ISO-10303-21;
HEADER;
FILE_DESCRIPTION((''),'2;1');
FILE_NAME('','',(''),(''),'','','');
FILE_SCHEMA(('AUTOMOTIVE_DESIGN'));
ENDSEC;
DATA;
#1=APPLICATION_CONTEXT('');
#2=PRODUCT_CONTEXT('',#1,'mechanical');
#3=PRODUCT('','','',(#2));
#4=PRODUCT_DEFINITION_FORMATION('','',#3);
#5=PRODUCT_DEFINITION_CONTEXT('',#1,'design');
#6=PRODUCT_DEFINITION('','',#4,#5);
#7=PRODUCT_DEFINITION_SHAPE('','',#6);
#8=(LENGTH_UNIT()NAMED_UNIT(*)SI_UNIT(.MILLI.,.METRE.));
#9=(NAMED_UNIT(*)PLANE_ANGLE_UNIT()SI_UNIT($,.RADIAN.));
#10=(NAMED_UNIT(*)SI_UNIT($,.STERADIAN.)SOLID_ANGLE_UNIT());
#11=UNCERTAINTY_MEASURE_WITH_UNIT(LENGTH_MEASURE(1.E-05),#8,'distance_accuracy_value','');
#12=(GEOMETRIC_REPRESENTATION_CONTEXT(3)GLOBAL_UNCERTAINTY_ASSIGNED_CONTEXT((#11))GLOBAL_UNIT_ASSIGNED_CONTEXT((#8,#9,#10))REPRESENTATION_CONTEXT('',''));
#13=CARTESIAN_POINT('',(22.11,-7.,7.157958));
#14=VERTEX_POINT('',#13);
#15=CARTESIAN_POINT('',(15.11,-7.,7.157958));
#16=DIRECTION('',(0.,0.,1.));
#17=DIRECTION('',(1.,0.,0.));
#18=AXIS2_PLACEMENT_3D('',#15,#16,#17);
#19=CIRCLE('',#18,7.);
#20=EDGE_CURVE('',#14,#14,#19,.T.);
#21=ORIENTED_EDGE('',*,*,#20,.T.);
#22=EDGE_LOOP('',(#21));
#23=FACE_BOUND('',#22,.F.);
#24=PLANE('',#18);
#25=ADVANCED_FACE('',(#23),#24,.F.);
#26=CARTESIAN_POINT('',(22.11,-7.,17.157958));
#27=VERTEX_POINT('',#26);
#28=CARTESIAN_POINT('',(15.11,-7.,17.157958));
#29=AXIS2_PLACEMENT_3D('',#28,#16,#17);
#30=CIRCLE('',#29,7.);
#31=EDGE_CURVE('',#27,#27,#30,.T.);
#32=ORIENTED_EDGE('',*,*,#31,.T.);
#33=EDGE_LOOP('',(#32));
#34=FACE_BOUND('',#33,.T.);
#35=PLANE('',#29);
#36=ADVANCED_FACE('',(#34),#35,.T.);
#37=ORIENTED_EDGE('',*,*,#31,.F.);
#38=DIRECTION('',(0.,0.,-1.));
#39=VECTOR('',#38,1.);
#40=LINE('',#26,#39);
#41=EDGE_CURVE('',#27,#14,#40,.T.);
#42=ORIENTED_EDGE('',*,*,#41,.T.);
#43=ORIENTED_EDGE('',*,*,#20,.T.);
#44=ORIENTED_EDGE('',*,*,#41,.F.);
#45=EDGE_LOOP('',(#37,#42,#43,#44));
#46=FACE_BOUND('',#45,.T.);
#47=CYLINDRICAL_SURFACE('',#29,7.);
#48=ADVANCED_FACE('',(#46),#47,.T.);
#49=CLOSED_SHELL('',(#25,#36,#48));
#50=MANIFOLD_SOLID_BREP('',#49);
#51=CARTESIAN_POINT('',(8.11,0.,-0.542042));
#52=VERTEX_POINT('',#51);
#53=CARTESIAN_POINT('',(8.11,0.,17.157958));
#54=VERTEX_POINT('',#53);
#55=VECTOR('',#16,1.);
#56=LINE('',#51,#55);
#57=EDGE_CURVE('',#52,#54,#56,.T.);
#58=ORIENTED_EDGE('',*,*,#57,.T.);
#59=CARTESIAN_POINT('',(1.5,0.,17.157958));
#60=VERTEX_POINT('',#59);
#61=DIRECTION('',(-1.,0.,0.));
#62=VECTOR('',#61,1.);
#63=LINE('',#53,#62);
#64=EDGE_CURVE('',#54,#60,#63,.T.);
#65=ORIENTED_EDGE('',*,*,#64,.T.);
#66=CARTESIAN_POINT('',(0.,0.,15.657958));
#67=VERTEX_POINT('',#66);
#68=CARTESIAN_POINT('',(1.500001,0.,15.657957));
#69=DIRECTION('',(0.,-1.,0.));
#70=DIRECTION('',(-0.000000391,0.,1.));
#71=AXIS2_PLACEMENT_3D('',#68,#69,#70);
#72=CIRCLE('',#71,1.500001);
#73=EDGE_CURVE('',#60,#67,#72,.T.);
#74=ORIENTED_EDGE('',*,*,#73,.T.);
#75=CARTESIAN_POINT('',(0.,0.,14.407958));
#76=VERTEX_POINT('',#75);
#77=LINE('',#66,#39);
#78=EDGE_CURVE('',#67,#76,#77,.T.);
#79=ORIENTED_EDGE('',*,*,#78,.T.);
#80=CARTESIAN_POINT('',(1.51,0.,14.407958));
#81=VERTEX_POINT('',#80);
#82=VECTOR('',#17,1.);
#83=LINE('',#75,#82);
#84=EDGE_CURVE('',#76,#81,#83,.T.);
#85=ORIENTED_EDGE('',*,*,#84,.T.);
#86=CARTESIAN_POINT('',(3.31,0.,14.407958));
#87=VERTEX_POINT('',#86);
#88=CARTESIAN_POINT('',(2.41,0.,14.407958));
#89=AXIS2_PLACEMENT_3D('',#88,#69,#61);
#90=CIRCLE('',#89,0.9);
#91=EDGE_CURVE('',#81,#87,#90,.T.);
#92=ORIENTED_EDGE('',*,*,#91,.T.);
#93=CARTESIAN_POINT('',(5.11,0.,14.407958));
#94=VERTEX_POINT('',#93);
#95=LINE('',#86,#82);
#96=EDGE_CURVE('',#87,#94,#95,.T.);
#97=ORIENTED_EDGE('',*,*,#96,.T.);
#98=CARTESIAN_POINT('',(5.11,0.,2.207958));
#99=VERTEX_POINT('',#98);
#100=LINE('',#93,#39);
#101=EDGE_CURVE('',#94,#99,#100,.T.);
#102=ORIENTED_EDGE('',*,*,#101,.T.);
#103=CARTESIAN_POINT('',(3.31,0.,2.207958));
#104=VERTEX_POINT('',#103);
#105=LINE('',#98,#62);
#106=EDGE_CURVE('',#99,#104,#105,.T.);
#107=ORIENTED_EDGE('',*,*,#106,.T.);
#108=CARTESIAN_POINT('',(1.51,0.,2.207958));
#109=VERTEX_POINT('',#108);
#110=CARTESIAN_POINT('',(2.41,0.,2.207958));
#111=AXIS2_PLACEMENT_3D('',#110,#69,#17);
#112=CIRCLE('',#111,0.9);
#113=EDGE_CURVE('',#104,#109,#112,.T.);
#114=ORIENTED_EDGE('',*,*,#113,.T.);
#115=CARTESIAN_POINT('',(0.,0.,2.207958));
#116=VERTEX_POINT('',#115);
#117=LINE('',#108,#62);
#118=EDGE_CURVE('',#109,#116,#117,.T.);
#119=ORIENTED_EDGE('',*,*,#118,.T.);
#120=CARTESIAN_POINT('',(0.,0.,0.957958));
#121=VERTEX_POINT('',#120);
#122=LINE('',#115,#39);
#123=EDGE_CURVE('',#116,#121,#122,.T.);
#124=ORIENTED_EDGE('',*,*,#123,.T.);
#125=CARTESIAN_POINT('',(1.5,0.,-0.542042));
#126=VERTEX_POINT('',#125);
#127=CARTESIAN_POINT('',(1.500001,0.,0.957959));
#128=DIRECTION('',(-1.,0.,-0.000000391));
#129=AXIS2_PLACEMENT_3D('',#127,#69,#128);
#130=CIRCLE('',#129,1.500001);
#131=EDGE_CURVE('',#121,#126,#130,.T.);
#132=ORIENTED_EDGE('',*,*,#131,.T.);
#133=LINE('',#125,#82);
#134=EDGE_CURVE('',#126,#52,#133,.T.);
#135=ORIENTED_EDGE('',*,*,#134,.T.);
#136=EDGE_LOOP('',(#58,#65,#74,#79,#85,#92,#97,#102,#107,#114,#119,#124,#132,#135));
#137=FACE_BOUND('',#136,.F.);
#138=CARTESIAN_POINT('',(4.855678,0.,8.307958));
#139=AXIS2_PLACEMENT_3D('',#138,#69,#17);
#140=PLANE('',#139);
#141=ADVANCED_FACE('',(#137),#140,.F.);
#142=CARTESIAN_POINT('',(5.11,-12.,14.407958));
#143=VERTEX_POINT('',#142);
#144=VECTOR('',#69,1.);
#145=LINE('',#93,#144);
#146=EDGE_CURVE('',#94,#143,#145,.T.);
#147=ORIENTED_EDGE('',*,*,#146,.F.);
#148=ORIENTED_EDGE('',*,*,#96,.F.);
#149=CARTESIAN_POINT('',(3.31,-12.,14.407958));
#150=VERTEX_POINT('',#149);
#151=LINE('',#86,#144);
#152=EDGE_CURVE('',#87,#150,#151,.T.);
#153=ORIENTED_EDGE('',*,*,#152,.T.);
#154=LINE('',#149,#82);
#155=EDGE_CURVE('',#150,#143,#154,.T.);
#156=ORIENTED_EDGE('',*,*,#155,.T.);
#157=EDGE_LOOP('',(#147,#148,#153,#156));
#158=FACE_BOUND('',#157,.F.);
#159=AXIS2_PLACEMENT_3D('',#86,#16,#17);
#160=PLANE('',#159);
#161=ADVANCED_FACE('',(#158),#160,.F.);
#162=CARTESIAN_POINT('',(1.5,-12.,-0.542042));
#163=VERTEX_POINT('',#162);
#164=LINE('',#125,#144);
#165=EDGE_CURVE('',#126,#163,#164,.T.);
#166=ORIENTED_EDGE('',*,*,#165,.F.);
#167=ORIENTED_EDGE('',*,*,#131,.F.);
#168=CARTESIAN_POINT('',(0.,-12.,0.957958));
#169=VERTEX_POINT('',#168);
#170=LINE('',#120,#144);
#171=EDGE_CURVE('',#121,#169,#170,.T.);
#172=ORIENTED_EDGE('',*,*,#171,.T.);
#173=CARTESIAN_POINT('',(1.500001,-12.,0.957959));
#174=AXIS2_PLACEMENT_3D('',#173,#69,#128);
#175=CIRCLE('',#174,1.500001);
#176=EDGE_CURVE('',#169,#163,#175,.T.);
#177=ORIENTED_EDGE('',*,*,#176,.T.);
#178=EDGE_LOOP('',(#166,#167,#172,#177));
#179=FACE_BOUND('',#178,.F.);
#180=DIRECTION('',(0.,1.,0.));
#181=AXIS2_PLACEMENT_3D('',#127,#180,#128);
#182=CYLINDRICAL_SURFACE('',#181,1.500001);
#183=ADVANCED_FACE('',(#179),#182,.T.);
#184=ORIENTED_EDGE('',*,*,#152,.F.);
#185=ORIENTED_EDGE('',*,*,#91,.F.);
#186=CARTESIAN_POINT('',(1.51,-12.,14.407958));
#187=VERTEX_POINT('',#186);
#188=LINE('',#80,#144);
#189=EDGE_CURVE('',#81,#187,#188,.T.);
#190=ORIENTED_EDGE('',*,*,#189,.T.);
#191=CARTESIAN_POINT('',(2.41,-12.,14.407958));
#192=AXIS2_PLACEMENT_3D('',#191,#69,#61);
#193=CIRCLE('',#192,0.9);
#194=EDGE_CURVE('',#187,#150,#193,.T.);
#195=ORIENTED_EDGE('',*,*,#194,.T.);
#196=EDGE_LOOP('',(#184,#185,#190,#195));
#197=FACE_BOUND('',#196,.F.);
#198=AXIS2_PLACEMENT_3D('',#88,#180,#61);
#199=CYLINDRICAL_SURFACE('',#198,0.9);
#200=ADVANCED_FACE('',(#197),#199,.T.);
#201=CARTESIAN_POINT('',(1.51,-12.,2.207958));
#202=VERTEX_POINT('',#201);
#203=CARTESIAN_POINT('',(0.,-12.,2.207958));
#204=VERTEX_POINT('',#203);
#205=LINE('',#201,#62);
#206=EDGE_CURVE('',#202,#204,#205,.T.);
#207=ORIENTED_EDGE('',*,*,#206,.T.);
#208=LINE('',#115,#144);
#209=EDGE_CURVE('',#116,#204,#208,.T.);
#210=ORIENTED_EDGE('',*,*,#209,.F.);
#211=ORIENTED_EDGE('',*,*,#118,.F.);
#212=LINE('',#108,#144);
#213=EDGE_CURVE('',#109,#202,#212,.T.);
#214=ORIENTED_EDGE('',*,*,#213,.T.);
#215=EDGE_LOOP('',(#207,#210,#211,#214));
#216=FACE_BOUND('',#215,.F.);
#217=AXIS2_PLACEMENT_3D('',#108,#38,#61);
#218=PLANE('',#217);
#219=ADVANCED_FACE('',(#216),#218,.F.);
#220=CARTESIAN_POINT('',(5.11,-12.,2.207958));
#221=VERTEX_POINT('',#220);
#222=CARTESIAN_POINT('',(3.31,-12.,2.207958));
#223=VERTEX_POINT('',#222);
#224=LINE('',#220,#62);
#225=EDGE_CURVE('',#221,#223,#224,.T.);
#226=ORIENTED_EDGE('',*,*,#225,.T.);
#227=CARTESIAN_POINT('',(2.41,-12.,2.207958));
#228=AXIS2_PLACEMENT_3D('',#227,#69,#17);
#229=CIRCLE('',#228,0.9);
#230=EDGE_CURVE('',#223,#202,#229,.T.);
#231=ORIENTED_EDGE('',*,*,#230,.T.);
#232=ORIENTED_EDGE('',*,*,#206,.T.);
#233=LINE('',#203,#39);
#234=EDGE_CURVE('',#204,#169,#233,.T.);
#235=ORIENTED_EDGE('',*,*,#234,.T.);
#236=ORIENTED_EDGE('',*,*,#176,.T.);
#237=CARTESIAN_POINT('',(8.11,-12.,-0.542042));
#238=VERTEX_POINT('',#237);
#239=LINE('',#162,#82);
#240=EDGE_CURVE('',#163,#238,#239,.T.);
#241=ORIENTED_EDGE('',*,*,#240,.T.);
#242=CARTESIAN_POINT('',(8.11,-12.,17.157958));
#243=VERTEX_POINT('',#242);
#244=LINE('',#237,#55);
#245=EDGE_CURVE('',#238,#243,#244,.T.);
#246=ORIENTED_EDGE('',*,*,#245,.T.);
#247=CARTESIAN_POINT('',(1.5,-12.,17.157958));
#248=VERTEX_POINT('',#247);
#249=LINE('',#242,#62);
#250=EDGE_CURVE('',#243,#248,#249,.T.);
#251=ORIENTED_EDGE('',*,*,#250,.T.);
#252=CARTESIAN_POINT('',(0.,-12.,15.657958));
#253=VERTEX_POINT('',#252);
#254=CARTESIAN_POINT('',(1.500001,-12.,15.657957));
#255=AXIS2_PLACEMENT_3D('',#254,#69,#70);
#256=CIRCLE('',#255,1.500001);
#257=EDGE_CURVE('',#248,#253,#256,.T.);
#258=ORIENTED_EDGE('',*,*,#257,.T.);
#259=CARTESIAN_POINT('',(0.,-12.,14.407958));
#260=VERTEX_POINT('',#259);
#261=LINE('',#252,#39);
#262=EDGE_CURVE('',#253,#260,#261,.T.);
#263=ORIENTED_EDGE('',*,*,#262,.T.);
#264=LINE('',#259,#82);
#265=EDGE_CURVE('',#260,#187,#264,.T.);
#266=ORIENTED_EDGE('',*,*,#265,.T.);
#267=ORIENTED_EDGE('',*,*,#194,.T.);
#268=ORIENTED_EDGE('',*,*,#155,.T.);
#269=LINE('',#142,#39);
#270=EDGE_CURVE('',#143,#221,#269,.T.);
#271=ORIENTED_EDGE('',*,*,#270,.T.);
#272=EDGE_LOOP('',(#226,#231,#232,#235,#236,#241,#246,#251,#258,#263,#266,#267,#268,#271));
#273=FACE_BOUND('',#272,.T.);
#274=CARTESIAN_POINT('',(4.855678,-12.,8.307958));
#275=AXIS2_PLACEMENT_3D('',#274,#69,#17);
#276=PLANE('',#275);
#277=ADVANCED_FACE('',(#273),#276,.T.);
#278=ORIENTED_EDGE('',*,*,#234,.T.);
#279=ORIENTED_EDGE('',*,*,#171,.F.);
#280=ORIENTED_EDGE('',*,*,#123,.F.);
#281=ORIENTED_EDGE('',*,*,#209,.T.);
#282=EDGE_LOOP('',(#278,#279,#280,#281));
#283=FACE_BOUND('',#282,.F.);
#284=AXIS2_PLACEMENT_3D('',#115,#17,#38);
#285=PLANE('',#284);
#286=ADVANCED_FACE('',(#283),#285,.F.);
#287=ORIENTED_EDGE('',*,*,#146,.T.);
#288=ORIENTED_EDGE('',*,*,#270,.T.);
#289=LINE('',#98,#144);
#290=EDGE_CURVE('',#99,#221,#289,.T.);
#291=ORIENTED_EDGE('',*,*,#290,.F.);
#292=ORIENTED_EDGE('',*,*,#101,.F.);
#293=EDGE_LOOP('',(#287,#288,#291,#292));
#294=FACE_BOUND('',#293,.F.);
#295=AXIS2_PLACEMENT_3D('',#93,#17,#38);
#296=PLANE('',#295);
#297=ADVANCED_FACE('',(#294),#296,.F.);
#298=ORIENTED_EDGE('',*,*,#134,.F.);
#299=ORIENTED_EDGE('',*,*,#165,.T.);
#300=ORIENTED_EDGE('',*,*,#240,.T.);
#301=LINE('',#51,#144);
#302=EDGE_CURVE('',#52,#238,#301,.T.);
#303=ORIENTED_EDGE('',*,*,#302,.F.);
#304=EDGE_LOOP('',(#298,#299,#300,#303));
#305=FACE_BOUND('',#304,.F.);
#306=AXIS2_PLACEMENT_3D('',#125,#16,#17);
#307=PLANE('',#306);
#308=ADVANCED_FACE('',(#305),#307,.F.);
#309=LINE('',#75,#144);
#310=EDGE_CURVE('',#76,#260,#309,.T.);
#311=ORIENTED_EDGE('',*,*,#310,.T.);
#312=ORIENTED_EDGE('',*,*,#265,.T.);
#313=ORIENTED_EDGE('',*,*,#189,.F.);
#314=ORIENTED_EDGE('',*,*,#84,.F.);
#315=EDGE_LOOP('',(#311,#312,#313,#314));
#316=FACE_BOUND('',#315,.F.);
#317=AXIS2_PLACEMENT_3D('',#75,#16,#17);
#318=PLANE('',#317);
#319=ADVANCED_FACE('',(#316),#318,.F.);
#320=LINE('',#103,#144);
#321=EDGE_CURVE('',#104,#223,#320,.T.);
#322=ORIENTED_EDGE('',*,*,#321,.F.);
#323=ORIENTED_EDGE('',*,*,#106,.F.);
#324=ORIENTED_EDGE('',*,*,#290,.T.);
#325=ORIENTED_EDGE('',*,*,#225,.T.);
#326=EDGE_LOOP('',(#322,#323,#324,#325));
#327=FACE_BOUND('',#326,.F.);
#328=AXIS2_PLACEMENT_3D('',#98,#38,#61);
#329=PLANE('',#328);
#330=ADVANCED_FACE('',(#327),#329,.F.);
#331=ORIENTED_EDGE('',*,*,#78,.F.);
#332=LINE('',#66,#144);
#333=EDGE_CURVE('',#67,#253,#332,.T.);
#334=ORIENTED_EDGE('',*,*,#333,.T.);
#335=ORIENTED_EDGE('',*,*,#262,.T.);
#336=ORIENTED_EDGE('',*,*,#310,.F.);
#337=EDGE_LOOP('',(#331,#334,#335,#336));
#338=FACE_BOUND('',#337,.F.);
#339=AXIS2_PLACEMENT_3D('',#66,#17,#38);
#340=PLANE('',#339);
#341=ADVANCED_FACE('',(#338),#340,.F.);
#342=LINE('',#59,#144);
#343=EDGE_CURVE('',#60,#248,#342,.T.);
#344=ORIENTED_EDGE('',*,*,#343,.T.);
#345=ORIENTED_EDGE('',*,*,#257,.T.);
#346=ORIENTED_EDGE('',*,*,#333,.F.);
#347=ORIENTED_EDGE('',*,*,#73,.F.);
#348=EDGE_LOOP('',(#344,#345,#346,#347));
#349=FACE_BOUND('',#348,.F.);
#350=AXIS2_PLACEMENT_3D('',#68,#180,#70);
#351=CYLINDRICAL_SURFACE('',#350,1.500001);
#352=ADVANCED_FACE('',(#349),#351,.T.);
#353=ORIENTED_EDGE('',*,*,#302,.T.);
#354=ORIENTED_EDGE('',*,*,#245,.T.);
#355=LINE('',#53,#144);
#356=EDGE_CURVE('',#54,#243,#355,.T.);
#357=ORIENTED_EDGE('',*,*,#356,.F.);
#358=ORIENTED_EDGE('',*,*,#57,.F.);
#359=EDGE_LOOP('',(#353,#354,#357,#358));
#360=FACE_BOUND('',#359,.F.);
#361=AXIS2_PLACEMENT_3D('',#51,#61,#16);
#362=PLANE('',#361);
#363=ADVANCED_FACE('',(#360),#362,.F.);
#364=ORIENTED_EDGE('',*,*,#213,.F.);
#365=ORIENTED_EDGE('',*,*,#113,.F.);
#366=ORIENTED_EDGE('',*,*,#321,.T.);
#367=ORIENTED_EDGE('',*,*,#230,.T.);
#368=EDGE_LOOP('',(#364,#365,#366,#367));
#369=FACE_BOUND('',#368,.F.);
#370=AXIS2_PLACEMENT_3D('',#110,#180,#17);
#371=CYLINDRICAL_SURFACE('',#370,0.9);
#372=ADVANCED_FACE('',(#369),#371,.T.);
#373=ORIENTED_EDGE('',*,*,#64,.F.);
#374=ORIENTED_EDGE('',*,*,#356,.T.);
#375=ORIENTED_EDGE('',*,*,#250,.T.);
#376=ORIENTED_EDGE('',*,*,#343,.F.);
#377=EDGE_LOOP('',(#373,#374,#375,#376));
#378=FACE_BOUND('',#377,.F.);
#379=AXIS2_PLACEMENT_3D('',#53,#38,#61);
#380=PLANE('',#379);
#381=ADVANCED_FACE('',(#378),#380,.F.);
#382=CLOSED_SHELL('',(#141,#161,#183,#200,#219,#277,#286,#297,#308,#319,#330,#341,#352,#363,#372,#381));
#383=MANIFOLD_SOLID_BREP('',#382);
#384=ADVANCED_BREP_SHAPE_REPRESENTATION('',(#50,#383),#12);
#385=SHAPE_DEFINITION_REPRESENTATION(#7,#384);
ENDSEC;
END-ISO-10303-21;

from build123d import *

# Parameters (mm, degrees)
F1_DEPTH = 12
F2_R     = 7
F3_DEPTH = 10


with BuildPart() as f1:
    # F0 (on Front) → F1 (new body)
    with BuildSketch(Plane.XZ):
        with BuildLine():
            ThreePointArc((0, 0.957958), (0.43934, -0.102702), (1.5, -0.542042))
            Line((1.5, -0.542042), (8.11, -0.542042))
            Line((8.11, -0.542042), (8.11, 17.157958))
            Line((8.11, 17.157958), (1.5, 17.157958))
            ThreePointArc((1.5, 17.157958), (0.43934, 16.718618), (0, 15.657958))
            Line((0, 15.657958), (0, 14.407958))
            Line((0, 14.407958), (1.51, 14.407958))
            ThreePointArc((1.51, 14.407958), (2.41, 13.507958), (3.31, 14.407958))
            Line((3.31, 14.407958), (5.11, 14.407958))
            Line((5.11, 14.407958), (5.11, 2.207958))
            Line((5.11, 2.207958), (3.31, 2.207958))
            ThreePointArc((3.31, 2.207958), (2.41, 3.107958), (1.51, 2.207958))
            Line((1.51, 2.207958), (0, 2.207958))
            Line((0, 2.207958), (0, 0.957958))
        make_face()
    extrude(amount=F1_DEPTH)


with BuildPart() as f3:
    # F2 (on face) → F3 (new body)
    with BuildSketch(Plane.XY.offset(17.157958)):
        with Locations((15.11, -7)):
            Circle(F2_R)
    extrude(amount=-F3_DEPTH)


solid = Compound([f1.part, f3.part])
